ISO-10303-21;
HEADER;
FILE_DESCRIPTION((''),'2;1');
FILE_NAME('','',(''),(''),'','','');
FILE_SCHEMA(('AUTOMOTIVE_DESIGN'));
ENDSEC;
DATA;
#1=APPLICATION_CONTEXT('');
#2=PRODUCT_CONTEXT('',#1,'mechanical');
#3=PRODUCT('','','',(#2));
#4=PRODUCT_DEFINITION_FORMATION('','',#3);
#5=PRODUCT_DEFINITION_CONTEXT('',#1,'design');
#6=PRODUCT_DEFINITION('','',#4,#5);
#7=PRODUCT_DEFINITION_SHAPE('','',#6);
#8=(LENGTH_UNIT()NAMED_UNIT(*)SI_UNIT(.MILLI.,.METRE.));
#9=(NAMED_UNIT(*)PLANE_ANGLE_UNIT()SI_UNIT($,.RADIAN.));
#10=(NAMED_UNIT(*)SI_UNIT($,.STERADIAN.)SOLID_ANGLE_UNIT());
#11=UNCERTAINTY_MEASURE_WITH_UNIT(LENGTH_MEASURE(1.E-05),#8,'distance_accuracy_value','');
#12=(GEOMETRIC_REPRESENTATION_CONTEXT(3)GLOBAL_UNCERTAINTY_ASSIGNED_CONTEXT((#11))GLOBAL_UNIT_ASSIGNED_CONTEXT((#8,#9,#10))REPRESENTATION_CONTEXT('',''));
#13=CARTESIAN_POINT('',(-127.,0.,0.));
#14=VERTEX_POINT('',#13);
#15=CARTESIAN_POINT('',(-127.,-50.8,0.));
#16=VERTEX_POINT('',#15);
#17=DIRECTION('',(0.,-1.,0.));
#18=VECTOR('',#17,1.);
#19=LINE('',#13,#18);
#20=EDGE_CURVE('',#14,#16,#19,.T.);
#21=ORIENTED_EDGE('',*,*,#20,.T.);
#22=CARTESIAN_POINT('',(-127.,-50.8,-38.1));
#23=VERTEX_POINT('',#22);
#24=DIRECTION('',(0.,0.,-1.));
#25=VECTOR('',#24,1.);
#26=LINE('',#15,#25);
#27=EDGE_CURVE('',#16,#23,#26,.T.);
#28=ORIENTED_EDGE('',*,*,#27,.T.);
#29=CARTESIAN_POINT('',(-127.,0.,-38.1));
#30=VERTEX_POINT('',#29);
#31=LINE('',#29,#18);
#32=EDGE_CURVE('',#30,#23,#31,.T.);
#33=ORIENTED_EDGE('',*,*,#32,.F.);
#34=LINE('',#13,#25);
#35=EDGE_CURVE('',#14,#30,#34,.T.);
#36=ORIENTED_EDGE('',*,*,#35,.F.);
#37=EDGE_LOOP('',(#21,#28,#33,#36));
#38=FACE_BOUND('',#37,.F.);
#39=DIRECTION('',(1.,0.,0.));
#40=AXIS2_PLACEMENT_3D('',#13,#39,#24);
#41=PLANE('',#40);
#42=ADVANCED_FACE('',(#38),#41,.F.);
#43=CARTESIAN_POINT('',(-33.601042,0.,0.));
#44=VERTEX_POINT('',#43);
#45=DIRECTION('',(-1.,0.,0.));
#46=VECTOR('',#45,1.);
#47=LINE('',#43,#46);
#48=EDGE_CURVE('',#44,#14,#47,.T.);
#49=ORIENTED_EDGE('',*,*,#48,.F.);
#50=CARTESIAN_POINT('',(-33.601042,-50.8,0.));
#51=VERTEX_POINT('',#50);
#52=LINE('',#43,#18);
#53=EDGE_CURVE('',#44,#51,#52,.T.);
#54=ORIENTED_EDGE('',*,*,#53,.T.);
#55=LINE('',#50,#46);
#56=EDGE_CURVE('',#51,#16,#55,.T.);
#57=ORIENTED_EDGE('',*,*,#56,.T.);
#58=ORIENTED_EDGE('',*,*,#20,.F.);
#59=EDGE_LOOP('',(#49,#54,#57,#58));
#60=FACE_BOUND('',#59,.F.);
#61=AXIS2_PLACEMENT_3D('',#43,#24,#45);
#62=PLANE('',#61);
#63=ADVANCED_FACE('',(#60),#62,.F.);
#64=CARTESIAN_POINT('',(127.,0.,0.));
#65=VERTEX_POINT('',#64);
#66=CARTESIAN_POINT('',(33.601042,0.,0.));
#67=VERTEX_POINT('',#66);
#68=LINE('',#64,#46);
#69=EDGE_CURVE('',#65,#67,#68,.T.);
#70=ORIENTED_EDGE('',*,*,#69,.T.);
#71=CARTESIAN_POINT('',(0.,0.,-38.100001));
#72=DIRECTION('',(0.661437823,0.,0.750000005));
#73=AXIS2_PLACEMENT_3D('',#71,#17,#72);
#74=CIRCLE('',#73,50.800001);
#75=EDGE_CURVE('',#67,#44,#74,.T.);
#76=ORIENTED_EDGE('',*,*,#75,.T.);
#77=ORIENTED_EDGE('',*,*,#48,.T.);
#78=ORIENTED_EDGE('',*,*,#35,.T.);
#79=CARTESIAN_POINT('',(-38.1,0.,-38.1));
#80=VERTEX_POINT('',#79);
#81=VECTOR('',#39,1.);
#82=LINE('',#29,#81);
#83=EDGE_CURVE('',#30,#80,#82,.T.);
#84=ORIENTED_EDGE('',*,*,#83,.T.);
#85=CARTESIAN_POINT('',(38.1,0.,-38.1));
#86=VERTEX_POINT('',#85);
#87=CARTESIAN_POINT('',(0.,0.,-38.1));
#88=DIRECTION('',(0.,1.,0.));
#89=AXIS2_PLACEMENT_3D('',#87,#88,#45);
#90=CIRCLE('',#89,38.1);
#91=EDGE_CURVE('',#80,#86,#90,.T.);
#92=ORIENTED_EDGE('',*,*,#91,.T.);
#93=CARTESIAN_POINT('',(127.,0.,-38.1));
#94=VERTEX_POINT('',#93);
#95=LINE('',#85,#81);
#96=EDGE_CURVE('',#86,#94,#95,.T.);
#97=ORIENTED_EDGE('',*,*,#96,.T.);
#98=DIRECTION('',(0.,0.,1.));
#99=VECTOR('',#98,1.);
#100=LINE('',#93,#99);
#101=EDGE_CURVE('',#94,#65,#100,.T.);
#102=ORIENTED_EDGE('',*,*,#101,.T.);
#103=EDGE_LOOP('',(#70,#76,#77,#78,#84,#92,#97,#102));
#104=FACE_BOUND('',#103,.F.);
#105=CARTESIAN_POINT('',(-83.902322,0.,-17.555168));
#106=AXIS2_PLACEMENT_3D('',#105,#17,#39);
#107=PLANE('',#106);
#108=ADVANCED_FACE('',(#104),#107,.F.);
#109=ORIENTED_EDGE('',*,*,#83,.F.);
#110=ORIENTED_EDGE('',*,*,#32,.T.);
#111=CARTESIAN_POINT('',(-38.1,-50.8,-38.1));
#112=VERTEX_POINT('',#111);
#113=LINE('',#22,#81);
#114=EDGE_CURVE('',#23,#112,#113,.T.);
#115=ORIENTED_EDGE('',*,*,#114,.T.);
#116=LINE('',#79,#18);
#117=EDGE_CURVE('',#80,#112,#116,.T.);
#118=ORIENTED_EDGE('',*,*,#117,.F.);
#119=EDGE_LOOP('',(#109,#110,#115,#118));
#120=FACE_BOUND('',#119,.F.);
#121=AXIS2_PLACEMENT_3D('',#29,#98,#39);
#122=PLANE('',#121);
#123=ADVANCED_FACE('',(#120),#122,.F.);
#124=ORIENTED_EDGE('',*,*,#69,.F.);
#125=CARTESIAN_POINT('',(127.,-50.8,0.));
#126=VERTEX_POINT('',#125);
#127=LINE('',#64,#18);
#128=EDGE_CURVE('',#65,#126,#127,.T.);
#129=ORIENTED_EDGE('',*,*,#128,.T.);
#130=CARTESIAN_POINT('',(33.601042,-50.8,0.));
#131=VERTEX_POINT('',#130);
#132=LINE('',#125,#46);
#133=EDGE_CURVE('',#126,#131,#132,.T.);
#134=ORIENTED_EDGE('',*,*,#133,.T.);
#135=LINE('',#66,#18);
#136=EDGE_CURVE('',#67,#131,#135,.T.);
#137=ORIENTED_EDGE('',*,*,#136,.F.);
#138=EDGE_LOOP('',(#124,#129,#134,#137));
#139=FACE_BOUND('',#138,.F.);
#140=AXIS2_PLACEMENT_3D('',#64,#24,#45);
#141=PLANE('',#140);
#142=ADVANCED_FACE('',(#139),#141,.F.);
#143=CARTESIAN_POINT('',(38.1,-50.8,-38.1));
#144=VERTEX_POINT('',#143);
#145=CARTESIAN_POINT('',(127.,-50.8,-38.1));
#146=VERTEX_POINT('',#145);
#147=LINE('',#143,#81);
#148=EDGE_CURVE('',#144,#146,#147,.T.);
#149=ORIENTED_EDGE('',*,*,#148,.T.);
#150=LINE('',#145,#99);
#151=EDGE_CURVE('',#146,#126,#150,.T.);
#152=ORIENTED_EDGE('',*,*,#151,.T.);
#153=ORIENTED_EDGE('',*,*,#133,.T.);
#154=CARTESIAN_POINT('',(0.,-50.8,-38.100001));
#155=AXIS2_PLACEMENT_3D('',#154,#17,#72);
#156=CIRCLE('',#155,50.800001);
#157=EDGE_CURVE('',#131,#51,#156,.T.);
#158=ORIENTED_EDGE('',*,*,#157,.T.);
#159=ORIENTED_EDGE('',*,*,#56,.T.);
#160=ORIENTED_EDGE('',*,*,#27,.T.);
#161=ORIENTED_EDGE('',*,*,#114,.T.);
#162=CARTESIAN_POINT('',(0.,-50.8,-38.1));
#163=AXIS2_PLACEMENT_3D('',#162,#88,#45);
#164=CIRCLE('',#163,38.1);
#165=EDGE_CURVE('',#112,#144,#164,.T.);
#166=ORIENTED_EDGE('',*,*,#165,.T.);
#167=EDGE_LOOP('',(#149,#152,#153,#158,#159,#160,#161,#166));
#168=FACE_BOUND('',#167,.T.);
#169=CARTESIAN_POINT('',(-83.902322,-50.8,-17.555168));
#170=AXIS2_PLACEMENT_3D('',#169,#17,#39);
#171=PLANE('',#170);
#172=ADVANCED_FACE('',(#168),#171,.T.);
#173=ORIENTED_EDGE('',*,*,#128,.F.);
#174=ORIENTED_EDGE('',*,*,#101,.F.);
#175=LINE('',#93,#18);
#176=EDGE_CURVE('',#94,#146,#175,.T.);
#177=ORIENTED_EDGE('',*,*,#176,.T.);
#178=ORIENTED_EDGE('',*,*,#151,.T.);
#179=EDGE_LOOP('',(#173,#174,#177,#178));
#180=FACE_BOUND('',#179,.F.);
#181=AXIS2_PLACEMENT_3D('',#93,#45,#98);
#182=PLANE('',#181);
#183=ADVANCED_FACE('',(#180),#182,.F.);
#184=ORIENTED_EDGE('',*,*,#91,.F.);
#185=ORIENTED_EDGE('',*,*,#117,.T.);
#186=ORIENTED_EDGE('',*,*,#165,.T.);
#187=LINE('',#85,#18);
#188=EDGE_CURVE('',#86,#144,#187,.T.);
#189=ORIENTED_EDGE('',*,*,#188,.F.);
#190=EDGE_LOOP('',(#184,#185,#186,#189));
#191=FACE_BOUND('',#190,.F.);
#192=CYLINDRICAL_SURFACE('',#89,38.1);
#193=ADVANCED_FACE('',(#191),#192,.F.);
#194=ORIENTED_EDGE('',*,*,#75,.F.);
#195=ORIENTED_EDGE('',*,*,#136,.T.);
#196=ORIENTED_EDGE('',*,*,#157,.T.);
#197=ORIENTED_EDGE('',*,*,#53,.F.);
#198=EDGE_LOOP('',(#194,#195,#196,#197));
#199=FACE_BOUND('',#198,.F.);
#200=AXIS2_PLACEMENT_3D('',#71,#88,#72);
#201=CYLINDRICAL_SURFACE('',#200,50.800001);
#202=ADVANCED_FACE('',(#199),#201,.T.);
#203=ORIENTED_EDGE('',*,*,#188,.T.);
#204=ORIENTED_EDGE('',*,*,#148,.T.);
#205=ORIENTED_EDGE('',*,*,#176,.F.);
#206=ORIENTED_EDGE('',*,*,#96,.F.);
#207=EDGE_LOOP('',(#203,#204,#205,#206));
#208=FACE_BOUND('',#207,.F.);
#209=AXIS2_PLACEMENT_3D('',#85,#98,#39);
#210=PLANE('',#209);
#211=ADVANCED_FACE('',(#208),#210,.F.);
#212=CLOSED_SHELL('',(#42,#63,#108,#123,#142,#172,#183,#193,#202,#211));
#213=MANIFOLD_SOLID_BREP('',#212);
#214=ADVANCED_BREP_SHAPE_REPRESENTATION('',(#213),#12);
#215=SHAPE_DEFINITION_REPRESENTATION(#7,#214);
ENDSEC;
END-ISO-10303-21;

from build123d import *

# Parameters (mm, degrees)
F1_DEPTH = 50.8


with BuildPart() as f1:
    # F0 (on Front) → F1 (new body)
    with BuildSketch(Plane.XZ):
        with BuildLine():
            Line((-127, 0), (-127, -38.1))
            Line((-127, -38.1), (-50.8, -38.1))
            ThreePointArc((-50.8, -38.1), (-46.301042, -17.198958), (-33.601042, 0))
            Line((-33.601042, 0), (-127, 0))
        make_face()
        with BuildLine():
            Line((127, 0), (33.601042, 0))
            ThreePointArc((33.601042, 0), (46.301042, -17.198958), (50.8, -38.1))
            Line((50.8, -38.1), (127, -38.1))
            Line((127, -38.1), (127, 0))
        make_face()
        with BuildLine():
            ThreePointArc((-33.601042, 0), (-46.301042, -17.198958), (-50.8, -38.1))
            Line((-50.8, -38.1), (-38.1, -38.1))
            ThreePointArc((-38.1, -38.1), (0, 0), (38.1, -38.1))
            Line((38.1, -38.1), (50.8, -38.1))
            ThreePointArc((50.8, -38.1), (46.301042, -17.198958), (33.601042, 0))
            ThreePointArc((33.601042, 0), (0, 12.7), (-33.601042, 0))
        make_face()
    extrude(amount=F1_DEPTH)


solid = f1.part
